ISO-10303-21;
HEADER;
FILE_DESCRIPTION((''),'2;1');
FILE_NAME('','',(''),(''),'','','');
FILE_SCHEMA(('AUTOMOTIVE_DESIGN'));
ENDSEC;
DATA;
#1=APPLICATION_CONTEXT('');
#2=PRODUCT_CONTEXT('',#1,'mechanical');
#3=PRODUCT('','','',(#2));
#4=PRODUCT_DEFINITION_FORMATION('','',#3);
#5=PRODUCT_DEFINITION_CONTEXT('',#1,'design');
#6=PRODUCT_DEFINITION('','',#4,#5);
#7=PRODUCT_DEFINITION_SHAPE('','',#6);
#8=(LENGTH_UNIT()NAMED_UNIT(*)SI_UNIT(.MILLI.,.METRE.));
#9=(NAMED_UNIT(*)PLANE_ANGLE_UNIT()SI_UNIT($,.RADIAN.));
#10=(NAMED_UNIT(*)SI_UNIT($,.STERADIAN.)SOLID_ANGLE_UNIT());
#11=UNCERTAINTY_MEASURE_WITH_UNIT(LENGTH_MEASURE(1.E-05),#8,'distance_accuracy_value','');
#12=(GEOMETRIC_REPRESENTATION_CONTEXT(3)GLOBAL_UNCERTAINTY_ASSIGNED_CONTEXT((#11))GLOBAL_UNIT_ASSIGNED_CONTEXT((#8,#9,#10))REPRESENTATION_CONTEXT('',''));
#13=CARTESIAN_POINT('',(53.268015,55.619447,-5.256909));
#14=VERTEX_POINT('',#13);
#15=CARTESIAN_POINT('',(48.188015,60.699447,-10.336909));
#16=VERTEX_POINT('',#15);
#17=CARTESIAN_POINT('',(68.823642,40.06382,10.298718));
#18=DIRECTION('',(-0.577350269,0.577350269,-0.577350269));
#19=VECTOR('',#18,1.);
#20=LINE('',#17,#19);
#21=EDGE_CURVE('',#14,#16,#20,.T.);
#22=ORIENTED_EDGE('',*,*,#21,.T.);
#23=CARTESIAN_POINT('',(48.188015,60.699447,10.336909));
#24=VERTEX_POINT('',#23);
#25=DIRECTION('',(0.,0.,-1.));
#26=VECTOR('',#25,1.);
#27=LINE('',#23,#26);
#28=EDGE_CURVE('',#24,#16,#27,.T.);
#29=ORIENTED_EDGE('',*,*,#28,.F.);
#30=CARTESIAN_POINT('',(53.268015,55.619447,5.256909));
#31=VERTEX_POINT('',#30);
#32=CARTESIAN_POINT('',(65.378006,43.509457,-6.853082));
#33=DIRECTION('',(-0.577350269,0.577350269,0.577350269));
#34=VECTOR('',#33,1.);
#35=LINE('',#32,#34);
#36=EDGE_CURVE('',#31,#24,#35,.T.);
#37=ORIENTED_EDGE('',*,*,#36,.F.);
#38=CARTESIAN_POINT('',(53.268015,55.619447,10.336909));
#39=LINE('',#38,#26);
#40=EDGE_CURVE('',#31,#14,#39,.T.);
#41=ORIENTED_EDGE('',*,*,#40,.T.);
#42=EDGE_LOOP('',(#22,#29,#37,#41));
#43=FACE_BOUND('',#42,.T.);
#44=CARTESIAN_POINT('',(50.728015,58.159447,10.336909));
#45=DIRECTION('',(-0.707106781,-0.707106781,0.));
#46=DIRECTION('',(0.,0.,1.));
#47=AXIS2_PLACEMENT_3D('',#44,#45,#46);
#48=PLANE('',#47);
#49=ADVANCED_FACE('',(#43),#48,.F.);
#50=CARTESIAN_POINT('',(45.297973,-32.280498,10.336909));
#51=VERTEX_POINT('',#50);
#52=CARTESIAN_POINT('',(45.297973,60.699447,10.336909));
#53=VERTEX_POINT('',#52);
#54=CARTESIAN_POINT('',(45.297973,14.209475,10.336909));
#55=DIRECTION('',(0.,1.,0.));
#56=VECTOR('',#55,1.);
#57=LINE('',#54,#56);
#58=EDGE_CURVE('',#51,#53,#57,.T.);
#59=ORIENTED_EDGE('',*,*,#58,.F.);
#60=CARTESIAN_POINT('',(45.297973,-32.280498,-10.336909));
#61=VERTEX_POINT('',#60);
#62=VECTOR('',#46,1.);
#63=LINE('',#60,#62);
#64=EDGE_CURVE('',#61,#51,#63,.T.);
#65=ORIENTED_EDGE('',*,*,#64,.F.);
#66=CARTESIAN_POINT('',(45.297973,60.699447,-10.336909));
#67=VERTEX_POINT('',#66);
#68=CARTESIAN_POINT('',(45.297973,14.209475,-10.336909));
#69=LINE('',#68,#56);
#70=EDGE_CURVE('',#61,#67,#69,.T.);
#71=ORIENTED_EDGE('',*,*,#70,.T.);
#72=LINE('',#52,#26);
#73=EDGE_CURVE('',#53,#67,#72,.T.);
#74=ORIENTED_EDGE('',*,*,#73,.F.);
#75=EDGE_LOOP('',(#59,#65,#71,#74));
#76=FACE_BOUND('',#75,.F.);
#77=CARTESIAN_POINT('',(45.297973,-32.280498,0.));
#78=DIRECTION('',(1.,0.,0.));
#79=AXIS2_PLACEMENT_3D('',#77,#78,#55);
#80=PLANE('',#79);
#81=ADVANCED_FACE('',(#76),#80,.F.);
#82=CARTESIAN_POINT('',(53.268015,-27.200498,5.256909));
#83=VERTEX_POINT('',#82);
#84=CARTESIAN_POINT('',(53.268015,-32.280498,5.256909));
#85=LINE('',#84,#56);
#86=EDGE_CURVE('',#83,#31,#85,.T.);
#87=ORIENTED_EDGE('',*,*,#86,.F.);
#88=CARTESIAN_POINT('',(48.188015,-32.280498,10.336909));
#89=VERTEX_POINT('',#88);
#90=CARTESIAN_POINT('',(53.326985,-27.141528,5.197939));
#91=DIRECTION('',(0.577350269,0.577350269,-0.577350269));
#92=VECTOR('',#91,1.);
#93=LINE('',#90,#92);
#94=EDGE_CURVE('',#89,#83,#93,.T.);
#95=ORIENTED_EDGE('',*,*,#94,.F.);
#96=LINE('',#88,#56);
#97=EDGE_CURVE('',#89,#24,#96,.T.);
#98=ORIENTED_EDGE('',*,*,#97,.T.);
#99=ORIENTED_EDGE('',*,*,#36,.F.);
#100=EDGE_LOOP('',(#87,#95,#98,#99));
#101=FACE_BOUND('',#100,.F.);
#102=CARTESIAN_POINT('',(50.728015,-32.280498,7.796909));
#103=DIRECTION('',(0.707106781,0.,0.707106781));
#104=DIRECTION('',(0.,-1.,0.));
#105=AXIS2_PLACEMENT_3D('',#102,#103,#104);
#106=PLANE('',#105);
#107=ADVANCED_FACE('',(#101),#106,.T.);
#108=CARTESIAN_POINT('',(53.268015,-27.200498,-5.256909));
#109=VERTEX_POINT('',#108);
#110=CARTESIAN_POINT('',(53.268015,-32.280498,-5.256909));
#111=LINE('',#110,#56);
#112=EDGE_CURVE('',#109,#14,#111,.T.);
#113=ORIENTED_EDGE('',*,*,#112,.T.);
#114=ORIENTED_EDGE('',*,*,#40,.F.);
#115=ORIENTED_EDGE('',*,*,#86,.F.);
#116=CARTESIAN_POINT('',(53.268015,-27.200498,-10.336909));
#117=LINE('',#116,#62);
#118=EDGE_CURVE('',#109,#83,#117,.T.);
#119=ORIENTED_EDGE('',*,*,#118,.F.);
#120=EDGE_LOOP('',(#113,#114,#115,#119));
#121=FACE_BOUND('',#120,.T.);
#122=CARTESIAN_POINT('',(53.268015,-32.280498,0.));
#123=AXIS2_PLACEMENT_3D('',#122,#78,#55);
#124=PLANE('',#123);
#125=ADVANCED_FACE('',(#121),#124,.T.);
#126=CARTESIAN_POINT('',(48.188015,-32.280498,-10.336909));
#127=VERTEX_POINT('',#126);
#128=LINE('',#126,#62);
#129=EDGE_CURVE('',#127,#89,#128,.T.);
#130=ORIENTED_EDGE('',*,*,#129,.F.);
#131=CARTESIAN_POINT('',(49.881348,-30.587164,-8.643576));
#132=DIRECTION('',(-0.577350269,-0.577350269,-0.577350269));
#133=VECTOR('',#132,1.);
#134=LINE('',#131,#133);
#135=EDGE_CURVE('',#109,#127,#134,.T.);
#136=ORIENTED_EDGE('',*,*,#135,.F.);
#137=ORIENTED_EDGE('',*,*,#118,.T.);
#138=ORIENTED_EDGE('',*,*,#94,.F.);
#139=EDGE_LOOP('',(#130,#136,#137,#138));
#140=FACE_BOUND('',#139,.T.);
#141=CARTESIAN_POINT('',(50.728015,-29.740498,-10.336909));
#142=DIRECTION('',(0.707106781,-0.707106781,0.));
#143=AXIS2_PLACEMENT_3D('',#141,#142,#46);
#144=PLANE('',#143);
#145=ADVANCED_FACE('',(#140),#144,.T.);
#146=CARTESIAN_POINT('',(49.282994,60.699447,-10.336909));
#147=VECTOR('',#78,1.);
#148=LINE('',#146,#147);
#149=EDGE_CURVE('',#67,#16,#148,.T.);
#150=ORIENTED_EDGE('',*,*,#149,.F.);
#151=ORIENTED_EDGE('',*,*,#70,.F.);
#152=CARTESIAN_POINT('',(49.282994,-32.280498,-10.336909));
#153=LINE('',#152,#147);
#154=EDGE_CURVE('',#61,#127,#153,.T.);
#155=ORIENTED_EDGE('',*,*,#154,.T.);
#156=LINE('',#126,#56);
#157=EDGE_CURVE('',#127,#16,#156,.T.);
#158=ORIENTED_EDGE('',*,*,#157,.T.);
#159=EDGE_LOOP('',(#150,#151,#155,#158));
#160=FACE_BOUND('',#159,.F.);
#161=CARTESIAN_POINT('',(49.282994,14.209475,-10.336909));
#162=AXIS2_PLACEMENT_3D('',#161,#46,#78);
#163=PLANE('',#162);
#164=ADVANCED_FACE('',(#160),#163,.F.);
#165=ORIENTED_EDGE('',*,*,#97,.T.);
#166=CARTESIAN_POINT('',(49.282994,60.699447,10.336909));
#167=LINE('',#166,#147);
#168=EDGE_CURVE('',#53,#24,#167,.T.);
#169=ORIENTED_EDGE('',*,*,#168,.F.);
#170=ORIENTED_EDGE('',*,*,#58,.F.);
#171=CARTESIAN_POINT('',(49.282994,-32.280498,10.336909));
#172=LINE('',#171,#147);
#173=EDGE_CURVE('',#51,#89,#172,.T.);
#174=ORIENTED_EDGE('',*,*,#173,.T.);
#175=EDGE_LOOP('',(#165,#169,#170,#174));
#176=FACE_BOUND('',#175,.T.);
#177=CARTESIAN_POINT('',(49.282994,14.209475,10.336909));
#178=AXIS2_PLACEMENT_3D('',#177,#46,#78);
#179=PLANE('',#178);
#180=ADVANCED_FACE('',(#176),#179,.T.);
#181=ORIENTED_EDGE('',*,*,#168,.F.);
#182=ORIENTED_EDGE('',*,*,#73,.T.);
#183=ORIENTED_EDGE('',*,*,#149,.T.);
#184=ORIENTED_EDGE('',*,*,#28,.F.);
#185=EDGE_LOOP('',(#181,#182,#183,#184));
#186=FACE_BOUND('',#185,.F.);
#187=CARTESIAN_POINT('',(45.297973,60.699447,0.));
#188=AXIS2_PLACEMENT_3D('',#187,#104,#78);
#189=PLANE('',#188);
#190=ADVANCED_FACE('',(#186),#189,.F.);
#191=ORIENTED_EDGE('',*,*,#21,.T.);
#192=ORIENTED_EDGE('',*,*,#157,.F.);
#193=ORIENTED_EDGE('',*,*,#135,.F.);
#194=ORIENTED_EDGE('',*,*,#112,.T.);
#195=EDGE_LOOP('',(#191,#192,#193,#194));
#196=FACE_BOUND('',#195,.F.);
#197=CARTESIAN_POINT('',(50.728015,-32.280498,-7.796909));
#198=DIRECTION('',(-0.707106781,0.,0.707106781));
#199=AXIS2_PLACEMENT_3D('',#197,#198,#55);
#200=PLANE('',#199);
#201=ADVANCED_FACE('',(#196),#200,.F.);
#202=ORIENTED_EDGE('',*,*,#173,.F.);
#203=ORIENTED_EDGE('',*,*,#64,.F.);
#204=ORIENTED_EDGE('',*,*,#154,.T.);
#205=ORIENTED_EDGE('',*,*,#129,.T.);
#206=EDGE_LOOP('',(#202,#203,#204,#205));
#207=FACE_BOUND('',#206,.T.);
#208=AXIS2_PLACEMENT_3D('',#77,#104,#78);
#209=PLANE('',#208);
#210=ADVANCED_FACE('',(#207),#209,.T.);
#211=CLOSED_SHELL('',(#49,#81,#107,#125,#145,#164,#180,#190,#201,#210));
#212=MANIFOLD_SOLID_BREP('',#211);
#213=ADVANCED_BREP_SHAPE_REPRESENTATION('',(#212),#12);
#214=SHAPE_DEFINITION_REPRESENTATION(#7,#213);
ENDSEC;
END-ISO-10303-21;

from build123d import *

# Parameters (mm, degrees)
F0_W     = 7.970042
F0_H     = 92.979945
F1_DEPTH = 10.336909
F2_SIZE  = 5.08


with BuildPart() as f1:
    # F0 (on Top) → F1 (new body, symmetric)
    with BuildSketch(Plane.XY):
        with Locations((49.282994, 14.209475)):
            Rectangle(F0_W, F0_H)
    extrude(amount=F1_DEPTH, both=True)

    # F2
    f2_edges = [f1.edges().sort_by_distance(p)[0] for p in [
        (53.268015, 14.209475, -10.336909),
        (53.268015, 60.699448, 0),
        (53.268015, 14.209475, 10.336909),
        (53.268015, -32.280497, 0),
    ]]
    chamfer(f2_edges, length=F2_SIZE)


solid = f1.part
